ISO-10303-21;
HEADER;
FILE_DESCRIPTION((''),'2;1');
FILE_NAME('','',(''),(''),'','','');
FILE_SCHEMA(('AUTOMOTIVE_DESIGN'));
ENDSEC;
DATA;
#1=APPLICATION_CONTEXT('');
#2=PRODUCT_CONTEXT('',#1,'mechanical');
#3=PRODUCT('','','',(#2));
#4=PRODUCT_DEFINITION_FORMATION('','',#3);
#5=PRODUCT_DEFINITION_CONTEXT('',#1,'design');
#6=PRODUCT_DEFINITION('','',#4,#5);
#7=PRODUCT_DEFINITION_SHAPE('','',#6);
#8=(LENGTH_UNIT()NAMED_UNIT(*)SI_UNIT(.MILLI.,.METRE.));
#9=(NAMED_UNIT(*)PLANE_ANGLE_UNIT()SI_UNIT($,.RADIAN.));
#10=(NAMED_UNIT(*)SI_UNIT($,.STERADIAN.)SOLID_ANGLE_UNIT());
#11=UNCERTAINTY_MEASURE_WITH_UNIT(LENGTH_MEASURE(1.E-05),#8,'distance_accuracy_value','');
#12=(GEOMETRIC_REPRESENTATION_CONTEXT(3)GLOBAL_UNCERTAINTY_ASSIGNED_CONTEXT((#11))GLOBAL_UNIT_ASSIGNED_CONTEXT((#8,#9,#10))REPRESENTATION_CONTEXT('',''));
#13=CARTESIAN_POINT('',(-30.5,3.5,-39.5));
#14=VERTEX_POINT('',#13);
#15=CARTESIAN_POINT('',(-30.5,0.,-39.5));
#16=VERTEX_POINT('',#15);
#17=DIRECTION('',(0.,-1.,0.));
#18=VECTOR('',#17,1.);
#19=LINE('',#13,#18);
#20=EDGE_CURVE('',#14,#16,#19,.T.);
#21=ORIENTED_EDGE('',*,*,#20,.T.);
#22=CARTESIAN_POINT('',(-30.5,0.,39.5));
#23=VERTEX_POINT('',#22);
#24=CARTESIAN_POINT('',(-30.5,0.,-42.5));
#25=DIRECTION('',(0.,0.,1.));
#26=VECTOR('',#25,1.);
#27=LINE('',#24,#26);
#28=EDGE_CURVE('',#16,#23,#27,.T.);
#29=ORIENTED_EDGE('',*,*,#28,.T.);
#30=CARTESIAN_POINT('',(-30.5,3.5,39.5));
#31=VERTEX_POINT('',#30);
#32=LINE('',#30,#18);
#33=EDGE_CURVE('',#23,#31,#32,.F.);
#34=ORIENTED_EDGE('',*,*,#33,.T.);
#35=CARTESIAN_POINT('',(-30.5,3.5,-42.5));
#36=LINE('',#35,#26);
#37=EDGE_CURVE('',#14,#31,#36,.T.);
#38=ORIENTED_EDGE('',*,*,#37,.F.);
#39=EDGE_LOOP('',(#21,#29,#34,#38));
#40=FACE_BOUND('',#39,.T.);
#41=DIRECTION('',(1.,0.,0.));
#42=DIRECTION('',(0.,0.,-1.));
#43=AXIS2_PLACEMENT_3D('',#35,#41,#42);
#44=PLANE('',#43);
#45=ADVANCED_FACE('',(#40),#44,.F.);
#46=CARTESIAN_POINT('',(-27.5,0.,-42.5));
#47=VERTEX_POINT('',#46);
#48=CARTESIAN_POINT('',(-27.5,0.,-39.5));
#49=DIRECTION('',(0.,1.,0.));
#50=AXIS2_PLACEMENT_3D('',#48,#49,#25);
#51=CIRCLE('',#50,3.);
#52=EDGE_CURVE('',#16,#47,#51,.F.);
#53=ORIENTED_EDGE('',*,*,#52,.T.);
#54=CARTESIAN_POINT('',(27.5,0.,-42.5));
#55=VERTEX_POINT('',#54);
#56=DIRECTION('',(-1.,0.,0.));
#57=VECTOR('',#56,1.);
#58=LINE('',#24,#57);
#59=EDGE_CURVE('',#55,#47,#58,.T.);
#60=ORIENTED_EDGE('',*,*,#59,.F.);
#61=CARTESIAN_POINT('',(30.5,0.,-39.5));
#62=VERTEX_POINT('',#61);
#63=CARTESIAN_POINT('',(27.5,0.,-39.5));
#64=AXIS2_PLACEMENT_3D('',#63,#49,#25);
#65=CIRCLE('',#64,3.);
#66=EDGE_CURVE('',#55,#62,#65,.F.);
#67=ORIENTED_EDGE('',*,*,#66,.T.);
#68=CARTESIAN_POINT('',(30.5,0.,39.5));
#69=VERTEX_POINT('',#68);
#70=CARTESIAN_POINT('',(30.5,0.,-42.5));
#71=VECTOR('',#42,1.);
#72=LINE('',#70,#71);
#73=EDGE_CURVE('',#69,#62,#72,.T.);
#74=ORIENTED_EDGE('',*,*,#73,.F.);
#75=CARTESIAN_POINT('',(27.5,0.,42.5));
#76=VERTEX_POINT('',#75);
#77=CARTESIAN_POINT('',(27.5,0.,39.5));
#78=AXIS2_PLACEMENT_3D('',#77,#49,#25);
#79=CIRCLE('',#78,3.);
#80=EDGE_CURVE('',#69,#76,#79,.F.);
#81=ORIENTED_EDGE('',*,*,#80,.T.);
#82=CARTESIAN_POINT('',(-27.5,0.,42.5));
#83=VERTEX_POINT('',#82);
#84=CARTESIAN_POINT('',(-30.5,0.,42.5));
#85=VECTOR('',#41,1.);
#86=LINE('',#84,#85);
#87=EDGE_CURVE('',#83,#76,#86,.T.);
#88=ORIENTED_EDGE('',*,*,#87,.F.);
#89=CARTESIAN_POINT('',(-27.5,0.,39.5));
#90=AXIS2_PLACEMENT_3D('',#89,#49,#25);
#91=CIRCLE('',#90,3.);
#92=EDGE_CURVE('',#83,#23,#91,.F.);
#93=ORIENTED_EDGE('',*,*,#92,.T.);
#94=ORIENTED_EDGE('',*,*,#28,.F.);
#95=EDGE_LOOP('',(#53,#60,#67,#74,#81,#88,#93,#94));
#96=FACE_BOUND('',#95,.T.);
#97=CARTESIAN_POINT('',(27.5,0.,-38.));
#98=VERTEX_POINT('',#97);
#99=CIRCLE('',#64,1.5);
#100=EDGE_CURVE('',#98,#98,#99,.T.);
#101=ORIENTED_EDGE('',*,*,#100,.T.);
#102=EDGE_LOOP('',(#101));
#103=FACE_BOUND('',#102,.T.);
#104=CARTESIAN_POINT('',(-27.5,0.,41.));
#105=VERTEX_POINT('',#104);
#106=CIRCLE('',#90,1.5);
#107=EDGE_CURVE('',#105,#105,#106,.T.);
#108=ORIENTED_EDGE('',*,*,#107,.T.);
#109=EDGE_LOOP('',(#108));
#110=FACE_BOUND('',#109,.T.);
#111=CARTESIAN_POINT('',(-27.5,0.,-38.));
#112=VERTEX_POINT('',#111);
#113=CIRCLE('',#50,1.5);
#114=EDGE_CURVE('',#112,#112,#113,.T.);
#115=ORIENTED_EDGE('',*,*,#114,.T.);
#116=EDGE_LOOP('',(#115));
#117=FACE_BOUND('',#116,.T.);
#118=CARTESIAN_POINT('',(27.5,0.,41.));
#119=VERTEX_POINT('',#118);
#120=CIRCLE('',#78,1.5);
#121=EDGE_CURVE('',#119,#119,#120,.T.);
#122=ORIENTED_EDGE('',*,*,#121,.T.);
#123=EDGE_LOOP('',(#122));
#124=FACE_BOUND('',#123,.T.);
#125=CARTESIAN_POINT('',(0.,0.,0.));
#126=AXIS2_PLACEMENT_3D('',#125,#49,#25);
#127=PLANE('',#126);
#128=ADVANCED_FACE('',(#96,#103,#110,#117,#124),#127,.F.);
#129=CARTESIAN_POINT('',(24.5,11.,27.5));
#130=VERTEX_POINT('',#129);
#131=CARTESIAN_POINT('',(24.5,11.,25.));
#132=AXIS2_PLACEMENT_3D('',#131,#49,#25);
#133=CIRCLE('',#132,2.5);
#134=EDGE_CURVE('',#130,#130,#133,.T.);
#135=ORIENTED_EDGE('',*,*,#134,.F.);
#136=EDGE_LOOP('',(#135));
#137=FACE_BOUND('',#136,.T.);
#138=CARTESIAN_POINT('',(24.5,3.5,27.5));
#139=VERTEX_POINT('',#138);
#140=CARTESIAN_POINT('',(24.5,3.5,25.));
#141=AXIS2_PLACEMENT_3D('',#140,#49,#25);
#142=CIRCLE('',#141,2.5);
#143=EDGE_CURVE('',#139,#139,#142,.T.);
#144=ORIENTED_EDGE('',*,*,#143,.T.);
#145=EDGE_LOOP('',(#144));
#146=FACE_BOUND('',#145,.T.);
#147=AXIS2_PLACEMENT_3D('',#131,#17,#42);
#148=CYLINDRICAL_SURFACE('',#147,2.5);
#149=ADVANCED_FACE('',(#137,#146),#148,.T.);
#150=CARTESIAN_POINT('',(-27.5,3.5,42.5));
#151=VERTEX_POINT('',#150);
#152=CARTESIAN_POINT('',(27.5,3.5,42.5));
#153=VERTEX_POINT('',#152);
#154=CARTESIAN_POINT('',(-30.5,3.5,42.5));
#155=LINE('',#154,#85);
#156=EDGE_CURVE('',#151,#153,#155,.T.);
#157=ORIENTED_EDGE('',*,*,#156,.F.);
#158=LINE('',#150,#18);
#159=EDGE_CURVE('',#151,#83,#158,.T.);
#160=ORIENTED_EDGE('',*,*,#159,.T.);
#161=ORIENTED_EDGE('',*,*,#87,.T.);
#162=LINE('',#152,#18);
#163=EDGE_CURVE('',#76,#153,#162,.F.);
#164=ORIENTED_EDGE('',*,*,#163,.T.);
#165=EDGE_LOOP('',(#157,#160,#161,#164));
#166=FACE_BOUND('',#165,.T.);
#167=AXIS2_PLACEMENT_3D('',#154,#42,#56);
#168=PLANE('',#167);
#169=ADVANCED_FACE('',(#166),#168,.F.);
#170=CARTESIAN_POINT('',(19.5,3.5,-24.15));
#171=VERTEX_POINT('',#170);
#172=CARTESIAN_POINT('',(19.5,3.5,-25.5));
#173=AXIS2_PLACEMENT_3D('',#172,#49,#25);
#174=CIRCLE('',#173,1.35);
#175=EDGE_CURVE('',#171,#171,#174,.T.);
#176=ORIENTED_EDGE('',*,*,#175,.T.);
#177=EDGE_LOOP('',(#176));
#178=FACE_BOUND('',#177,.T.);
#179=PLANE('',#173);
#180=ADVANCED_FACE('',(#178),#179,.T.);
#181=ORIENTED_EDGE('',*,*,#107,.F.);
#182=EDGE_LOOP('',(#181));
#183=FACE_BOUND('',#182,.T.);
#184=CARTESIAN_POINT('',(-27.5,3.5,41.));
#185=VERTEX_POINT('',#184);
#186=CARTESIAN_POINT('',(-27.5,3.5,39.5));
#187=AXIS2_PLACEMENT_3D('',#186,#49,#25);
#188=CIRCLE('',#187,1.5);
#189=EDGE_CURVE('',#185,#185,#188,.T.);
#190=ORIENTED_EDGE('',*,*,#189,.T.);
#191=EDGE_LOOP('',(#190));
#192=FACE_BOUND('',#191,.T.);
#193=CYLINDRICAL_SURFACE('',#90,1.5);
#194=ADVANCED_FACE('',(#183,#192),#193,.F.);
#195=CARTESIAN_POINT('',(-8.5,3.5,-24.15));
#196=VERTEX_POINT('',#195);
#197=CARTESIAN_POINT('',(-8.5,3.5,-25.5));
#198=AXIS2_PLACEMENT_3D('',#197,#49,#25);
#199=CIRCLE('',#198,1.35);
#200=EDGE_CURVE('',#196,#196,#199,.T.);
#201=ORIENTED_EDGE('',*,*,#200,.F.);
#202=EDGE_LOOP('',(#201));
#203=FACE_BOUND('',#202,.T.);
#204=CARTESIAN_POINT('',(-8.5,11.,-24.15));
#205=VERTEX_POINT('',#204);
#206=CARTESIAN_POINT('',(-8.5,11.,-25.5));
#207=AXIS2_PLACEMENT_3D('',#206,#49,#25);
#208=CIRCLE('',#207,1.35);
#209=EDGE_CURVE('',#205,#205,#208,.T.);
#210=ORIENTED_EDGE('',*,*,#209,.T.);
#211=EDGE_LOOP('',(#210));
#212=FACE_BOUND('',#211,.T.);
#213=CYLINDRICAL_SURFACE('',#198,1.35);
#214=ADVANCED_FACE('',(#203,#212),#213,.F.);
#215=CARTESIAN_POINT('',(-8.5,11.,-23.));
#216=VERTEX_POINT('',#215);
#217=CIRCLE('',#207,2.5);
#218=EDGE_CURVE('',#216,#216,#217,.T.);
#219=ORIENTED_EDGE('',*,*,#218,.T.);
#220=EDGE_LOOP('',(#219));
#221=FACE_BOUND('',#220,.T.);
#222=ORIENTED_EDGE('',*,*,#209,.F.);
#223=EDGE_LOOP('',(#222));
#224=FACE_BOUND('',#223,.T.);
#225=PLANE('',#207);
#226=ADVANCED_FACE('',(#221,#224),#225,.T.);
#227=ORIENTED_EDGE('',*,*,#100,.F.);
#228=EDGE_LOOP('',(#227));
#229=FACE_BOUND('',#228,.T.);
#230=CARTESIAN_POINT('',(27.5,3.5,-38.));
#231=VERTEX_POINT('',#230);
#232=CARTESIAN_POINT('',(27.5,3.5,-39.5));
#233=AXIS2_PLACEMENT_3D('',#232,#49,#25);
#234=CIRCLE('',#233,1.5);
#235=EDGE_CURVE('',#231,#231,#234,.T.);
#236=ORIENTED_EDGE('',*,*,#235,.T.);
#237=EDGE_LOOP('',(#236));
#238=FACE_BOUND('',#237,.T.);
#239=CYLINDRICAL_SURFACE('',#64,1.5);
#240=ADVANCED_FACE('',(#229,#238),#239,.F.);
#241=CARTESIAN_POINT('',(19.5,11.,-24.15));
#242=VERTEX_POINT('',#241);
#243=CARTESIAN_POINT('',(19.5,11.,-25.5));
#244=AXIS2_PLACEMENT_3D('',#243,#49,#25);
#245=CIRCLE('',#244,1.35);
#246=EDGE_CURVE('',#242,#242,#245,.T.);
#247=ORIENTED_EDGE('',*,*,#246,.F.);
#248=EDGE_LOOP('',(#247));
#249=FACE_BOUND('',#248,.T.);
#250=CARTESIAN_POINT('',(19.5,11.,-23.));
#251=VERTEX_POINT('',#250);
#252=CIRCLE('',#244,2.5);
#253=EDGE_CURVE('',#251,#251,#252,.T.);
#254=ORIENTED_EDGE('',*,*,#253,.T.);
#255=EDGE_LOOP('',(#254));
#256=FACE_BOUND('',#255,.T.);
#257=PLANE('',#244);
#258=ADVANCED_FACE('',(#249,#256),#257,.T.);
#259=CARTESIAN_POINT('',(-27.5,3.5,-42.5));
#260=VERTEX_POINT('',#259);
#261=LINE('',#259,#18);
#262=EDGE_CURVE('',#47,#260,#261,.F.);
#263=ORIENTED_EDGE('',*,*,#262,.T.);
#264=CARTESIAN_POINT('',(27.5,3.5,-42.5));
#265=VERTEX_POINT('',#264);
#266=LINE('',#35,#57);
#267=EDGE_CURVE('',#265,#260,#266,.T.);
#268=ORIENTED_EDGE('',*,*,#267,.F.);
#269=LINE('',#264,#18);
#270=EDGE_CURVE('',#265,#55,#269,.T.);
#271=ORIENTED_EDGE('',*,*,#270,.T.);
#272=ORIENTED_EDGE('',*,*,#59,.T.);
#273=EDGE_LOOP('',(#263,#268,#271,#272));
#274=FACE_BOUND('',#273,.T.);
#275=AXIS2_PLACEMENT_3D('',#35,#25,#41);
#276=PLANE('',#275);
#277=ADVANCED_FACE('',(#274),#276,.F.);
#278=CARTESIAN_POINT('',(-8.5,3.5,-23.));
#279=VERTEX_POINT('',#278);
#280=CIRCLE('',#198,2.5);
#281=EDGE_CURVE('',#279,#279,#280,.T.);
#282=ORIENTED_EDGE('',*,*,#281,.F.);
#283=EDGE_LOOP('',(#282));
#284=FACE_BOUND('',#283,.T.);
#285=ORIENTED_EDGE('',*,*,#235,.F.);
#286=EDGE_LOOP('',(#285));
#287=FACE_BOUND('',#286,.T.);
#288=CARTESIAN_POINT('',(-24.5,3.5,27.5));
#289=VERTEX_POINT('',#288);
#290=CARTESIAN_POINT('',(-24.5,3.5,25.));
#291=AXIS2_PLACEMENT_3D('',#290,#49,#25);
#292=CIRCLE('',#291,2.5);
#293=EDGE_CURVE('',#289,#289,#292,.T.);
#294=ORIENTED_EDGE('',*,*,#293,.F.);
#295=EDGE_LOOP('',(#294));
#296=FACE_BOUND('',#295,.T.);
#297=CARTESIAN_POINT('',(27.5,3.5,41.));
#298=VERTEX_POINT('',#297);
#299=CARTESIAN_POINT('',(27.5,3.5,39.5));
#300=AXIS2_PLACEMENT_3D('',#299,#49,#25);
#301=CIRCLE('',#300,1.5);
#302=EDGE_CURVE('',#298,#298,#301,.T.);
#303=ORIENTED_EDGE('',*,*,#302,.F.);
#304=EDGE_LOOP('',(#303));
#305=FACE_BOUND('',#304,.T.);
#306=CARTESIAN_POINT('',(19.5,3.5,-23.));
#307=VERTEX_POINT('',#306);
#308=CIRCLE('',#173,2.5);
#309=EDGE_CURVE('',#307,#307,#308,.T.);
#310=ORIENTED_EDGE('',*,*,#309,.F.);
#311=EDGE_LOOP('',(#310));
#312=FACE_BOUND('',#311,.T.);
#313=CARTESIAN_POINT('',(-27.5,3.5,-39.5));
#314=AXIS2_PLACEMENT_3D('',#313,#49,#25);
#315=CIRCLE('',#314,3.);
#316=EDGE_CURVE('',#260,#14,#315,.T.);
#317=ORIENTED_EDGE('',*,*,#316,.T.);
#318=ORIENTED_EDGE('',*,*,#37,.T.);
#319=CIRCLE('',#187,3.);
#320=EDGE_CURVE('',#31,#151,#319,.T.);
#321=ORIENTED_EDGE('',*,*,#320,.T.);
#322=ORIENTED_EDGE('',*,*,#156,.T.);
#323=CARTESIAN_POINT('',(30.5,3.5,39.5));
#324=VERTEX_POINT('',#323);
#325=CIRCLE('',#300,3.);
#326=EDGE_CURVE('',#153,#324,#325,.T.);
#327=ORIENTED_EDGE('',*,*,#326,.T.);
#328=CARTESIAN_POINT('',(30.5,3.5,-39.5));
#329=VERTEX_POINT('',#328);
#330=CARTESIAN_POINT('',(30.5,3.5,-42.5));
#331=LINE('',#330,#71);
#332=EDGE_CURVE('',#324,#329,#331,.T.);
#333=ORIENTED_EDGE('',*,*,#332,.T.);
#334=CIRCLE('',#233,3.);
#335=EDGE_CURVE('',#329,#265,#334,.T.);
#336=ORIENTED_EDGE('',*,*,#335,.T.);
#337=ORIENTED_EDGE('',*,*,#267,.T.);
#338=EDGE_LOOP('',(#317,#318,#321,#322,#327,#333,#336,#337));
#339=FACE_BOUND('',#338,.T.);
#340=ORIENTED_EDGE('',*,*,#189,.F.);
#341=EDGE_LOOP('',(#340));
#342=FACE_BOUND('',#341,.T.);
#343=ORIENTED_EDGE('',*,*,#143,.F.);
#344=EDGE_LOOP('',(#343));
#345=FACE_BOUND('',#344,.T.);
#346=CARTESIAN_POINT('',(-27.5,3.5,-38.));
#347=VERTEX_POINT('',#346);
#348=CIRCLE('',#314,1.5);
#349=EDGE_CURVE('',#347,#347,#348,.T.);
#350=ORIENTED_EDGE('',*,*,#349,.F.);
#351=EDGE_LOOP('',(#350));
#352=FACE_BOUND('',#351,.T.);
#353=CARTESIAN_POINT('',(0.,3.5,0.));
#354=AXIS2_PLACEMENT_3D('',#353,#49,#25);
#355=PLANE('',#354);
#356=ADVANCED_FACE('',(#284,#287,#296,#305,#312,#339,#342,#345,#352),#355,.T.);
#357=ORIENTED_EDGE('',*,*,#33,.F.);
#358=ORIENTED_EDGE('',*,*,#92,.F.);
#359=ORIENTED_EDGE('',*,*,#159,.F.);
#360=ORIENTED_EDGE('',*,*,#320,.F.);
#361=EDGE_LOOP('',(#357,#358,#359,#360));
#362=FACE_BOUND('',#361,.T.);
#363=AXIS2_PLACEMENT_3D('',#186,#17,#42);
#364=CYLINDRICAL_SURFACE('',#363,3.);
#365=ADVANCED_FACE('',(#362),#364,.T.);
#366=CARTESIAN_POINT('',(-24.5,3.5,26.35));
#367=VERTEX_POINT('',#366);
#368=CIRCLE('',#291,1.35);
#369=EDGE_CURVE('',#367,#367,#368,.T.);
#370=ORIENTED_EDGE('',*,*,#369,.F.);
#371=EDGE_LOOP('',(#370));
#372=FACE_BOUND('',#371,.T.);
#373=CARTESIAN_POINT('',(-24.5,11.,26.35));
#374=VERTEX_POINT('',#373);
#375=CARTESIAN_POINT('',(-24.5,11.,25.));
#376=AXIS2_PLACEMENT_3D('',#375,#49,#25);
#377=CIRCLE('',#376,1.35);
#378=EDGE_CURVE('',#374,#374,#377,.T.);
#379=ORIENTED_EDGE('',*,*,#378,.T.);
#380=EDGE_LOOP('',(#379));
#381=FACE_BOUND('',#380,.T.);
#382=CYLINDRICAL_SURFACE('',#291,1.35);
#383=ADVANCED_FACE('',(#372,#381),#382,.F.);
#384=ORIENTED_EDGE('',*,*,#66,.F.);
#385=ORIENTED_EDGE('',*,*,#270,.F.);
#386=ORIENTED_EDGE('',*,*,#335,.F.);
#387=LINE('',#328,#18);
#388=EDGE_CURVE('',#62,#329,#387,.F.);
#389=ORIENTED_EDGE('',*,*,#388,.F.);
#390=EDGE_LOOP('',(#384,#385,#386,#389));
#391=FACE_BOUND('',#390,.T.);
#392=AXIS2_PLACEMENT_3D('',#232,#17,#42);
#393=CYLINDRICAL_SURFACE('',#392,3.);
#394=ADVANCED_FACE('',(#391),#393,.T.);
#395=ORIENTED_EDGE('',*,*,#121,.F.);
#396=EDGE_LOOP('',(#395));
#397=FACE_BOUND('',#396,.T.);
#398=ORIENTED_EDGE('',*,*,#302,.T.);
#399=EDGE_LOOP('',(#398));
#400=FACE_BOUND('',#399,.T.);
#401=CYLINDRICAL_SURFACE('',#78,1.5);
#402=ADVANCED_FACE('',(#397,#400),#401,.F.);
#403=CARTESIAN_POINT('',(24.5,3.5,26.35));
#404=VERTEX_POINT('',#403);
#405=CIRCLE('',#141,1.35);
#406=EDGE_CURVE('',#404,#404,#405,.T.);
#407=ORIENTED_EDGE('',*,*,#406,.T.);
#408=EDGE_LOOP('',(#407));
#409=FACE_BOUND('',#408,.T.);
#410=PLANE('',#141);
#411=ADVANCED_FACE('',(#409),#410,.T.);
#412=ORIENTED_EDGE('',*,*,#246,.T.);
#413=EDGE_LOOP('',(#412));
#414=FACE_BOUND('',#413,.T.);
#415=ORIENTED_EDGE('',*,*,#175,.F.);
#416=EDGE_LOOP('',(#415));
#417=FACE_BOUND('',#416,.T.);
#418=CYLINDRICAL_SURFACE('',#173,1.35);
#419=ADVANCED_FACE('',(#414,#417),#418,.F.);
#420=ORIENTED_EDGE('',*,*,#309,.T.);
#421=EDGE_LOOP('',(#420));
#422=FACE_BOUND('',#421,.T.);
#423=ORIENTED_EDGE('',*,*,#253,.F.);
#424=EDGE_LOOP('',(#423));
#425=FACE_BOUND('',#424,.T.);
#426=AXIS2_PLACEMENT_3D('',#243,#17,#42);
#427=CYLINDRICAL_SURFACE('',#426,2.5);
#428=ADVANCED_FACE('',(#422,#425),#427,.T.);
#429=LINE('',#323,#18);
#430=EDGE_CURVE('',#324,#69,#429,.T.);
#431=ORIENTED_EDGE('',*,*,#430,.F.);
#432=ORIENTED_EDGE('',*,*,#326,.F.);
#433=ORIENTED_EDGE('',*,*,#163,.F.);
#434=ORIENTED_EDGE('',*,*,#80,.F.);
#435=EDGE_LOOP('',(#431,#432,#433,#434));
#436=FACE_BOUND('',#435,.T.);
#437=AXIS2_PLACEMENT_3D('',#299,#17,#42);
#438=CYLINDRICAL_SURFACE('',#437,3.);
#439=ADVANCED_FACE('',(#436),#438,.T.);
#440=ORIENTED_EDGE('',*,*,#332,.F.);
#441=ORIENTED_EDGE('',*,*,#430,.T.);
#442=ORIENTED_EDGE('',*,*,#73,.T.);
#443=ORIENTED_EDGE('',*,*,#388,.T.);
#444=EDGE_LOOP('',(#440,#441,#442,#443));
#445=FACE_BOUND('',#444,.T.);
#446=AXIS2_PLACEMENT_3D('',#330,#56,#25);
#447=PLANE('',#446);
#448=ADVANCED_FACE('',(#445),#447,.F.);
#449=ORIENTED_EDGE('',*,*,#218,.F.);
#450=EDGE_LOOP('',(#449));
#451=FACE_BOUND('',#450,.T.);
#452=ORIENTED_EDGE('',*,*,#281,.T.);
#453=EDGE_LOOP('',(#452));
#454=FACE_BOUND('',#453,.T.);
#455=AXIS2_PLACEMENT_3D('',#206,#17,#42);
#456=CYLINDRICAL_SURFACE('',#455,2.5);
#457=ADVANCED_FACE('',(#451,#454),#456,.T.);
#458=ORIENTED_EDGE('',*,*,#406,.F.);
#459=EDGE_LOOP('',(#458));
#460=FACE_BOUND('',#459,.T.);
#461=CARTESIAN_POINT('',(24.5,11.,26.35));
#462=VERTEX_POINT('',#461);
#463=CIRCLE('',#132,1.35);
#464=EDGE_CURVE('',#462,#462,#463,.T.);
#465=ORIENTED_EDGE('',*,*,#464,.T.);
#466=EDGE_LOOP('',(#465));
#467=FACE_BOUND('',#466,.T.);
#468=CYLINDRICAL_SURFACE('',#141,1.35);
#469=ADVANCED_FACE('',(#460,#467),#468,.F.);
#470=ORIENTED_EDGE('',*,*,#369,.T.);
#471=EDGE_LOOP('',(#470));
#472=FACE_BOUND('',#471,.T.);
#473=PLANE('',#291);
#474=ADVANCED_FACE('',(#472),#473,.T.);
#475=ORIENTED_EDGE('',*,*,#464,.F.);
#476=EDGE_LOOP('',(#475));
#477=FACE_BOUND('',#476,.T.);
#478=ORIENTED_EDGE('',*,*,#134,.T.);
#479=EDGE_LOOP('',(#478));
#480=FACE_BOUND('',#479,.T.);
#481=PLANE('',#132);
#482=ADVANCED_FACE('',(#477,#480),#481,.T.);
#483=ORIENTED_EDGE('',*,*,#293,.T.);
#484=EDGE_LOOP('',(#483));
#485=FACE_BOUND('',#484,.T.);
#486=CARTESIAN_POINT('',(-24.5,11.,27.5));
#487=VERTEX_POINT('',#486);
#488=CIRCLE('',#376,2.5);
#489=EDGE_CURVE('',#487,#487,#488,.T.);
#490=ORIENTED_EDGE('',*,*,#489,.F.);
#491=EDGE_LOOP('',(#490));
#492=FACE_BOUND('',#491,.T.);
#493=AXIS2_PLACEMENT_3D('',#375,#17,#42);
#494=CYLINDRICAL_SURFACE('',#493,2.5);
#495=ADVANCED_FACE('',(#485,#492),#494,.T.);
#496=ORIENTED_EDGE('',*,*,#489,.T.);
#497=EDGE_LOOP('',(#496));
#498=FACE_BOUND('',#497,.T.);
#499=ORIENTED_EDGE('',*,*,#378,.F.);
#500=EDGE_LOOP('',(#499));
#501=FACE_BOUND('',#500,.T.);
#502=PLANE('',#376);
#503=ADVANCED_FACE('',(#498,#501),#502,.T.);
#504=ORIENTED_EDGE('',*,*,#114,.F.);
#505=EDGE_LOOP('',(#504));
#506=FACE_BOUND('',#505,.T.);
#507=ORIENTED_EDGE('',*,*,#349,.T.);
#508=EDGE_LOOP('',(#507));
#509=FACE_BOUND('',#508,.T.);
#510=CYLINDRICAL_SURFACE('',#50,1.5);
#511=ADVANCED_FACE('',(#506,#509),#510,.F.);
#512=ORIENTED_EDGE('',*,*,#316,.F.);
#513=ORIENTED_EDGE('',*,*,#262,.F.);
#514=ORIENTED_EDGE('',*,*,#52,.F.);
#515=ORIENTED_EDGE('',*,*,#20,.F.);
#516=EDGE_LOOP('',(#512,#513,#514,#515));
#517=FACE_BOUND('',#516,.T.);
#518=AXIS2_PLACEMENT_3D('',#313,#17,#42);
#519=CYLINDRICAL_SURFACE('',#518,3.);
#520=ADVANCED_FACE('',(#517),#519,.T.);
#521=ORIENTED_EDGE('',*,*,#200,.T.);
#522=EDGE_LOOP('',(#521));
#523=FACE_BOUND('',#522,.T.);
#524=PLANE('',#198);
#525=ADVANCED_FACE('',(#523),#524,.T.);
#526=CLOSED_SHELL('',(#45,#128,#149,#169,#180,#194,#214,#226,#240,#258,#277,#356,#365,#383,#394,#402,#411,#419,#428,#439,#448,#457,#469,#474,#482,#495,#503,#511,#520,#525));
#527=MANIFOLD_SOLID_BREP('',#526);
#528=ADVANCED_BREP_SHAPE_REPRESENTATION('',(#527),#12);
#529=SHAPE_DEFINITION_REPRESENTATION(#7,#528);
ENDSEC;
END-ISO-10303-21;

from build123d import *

# Parameters (mm, degrees)
SKETCH1_W           = 61
SKETCH1_H           = 85
BOSS_EXTRUDE1_DEPTH = 3.5
SKETCH2_R           = 1.5
CUT_EXTRUDE1_DEPTH  = 3.5
SKETCH3_R           = 2.5
BOSS_EXTRUDE2_DEPTH = 7.5
SKETCH4_R           = 1.35
CUT_EXTRUDE2_DEPTH  = 7.5
FILLET1_R           = 3


with BuildPart() as part:
    # Sketch1 → Boss-Extrude1 (new body)
    with BuildSketch(Plane(origin=(0, 0, 0), x_dir=(1, 0, 0), z_dir=(0, 1, 0))):
        Rectangle(SKETCH1_W, SKETCH1_H)
    extrude(amount=BOSS_EXTRUDE1_DEPTH)

    # Sketch2 → Cut-Extrude1 (cut)
    with BuildSketch(Plane(origin=(0, 3.5, 0), x_dir=(1, 0, 0), z_dir=(0, 1, 0))):
        with Locations(Location((-27.5, 39.5, 0), (0, 0, 270))):
            Circle(SKETCH2_R)
        with Locations(Location((27.5, 39.5, 0), (0, 0, 270))):
            Circle(SKETCH2_R)
        with Locations(Location((-27.5, -39.5, 0), (0, 0, 270))):
            Circle(SKETCH2_R)
        with Locations(Location((27.5, -39.5, 0), (0, 0, 270))):
            Circle(SKETCH2_R)
    extrude(amount=-CUT_EXTRUDE1_DEPTH, mode=Mode.SUBTRACT)

    # Sketch3 → Boss-Extrude2 (add)
    with BuildSketch(Plane(origin=(0, 3.5, 0), x_dir=(1, 0, 0), z_dir=(0, 1, 0))):
        with Locations(Location((-24.5, -25, 0), (0, 0, 270))):
            Circle(SKETCH3_R)
        with Locations(Location((24.5, -25, 0), (0, 0, 270))):
            Circle(SKETCH3_R)
        with Locations(Location((19.5, 25.5, 0), (0, 0, 270))):
            Circle(SKETCH3_R)
        with Locations(Location((-8.5, 25.5, 0), (0, 0, 270))):
            Circle(SKETCH3_R)
    extrude(amount=BOSS_EXTRUDE2_DEPTH)

    # Sketch4 → Cut-Extrude2 (cut)
    with BuildSketch(Plane(origin=(0, 11, 0), x_dir=(1, 0, 0), z_dir=(0, 1, 0))):
        with Locations(Location((-8.5, 25.5, 0), (0, 0, 270))):
            Circle(SKETCH4_R)
        with Locations(Location((19.5, 25.5, 0), (0, 0, 270))):
            Circle(SKETCH4_R)
        with Locations(Location((-24.5, -25, 0), (0, 0, 270))):
            Circle(SKETCH4_R)
        with Locations(Location((24.5, -25, 0), (0, 0, 270))):
            Circle(SKETCH4_R)
    extrude(amount=-CUT_EXTRUDE2_DEPTH, mode=Mode.SUBTRACT)

    # Fillet1
    fillet1_edges = [part.edges().sort_by_distance(p)[0] for p in [
        (30.5, 1.75, 42.5),
        (-30.5, 1.75, 42.5),
        (-30.5, 1.75, -42.5),
        (30.5, 1.75, -42.5),
    ]]
    fillet(fillet1_edges, radius=FILLET1_R)


solid = part.part
